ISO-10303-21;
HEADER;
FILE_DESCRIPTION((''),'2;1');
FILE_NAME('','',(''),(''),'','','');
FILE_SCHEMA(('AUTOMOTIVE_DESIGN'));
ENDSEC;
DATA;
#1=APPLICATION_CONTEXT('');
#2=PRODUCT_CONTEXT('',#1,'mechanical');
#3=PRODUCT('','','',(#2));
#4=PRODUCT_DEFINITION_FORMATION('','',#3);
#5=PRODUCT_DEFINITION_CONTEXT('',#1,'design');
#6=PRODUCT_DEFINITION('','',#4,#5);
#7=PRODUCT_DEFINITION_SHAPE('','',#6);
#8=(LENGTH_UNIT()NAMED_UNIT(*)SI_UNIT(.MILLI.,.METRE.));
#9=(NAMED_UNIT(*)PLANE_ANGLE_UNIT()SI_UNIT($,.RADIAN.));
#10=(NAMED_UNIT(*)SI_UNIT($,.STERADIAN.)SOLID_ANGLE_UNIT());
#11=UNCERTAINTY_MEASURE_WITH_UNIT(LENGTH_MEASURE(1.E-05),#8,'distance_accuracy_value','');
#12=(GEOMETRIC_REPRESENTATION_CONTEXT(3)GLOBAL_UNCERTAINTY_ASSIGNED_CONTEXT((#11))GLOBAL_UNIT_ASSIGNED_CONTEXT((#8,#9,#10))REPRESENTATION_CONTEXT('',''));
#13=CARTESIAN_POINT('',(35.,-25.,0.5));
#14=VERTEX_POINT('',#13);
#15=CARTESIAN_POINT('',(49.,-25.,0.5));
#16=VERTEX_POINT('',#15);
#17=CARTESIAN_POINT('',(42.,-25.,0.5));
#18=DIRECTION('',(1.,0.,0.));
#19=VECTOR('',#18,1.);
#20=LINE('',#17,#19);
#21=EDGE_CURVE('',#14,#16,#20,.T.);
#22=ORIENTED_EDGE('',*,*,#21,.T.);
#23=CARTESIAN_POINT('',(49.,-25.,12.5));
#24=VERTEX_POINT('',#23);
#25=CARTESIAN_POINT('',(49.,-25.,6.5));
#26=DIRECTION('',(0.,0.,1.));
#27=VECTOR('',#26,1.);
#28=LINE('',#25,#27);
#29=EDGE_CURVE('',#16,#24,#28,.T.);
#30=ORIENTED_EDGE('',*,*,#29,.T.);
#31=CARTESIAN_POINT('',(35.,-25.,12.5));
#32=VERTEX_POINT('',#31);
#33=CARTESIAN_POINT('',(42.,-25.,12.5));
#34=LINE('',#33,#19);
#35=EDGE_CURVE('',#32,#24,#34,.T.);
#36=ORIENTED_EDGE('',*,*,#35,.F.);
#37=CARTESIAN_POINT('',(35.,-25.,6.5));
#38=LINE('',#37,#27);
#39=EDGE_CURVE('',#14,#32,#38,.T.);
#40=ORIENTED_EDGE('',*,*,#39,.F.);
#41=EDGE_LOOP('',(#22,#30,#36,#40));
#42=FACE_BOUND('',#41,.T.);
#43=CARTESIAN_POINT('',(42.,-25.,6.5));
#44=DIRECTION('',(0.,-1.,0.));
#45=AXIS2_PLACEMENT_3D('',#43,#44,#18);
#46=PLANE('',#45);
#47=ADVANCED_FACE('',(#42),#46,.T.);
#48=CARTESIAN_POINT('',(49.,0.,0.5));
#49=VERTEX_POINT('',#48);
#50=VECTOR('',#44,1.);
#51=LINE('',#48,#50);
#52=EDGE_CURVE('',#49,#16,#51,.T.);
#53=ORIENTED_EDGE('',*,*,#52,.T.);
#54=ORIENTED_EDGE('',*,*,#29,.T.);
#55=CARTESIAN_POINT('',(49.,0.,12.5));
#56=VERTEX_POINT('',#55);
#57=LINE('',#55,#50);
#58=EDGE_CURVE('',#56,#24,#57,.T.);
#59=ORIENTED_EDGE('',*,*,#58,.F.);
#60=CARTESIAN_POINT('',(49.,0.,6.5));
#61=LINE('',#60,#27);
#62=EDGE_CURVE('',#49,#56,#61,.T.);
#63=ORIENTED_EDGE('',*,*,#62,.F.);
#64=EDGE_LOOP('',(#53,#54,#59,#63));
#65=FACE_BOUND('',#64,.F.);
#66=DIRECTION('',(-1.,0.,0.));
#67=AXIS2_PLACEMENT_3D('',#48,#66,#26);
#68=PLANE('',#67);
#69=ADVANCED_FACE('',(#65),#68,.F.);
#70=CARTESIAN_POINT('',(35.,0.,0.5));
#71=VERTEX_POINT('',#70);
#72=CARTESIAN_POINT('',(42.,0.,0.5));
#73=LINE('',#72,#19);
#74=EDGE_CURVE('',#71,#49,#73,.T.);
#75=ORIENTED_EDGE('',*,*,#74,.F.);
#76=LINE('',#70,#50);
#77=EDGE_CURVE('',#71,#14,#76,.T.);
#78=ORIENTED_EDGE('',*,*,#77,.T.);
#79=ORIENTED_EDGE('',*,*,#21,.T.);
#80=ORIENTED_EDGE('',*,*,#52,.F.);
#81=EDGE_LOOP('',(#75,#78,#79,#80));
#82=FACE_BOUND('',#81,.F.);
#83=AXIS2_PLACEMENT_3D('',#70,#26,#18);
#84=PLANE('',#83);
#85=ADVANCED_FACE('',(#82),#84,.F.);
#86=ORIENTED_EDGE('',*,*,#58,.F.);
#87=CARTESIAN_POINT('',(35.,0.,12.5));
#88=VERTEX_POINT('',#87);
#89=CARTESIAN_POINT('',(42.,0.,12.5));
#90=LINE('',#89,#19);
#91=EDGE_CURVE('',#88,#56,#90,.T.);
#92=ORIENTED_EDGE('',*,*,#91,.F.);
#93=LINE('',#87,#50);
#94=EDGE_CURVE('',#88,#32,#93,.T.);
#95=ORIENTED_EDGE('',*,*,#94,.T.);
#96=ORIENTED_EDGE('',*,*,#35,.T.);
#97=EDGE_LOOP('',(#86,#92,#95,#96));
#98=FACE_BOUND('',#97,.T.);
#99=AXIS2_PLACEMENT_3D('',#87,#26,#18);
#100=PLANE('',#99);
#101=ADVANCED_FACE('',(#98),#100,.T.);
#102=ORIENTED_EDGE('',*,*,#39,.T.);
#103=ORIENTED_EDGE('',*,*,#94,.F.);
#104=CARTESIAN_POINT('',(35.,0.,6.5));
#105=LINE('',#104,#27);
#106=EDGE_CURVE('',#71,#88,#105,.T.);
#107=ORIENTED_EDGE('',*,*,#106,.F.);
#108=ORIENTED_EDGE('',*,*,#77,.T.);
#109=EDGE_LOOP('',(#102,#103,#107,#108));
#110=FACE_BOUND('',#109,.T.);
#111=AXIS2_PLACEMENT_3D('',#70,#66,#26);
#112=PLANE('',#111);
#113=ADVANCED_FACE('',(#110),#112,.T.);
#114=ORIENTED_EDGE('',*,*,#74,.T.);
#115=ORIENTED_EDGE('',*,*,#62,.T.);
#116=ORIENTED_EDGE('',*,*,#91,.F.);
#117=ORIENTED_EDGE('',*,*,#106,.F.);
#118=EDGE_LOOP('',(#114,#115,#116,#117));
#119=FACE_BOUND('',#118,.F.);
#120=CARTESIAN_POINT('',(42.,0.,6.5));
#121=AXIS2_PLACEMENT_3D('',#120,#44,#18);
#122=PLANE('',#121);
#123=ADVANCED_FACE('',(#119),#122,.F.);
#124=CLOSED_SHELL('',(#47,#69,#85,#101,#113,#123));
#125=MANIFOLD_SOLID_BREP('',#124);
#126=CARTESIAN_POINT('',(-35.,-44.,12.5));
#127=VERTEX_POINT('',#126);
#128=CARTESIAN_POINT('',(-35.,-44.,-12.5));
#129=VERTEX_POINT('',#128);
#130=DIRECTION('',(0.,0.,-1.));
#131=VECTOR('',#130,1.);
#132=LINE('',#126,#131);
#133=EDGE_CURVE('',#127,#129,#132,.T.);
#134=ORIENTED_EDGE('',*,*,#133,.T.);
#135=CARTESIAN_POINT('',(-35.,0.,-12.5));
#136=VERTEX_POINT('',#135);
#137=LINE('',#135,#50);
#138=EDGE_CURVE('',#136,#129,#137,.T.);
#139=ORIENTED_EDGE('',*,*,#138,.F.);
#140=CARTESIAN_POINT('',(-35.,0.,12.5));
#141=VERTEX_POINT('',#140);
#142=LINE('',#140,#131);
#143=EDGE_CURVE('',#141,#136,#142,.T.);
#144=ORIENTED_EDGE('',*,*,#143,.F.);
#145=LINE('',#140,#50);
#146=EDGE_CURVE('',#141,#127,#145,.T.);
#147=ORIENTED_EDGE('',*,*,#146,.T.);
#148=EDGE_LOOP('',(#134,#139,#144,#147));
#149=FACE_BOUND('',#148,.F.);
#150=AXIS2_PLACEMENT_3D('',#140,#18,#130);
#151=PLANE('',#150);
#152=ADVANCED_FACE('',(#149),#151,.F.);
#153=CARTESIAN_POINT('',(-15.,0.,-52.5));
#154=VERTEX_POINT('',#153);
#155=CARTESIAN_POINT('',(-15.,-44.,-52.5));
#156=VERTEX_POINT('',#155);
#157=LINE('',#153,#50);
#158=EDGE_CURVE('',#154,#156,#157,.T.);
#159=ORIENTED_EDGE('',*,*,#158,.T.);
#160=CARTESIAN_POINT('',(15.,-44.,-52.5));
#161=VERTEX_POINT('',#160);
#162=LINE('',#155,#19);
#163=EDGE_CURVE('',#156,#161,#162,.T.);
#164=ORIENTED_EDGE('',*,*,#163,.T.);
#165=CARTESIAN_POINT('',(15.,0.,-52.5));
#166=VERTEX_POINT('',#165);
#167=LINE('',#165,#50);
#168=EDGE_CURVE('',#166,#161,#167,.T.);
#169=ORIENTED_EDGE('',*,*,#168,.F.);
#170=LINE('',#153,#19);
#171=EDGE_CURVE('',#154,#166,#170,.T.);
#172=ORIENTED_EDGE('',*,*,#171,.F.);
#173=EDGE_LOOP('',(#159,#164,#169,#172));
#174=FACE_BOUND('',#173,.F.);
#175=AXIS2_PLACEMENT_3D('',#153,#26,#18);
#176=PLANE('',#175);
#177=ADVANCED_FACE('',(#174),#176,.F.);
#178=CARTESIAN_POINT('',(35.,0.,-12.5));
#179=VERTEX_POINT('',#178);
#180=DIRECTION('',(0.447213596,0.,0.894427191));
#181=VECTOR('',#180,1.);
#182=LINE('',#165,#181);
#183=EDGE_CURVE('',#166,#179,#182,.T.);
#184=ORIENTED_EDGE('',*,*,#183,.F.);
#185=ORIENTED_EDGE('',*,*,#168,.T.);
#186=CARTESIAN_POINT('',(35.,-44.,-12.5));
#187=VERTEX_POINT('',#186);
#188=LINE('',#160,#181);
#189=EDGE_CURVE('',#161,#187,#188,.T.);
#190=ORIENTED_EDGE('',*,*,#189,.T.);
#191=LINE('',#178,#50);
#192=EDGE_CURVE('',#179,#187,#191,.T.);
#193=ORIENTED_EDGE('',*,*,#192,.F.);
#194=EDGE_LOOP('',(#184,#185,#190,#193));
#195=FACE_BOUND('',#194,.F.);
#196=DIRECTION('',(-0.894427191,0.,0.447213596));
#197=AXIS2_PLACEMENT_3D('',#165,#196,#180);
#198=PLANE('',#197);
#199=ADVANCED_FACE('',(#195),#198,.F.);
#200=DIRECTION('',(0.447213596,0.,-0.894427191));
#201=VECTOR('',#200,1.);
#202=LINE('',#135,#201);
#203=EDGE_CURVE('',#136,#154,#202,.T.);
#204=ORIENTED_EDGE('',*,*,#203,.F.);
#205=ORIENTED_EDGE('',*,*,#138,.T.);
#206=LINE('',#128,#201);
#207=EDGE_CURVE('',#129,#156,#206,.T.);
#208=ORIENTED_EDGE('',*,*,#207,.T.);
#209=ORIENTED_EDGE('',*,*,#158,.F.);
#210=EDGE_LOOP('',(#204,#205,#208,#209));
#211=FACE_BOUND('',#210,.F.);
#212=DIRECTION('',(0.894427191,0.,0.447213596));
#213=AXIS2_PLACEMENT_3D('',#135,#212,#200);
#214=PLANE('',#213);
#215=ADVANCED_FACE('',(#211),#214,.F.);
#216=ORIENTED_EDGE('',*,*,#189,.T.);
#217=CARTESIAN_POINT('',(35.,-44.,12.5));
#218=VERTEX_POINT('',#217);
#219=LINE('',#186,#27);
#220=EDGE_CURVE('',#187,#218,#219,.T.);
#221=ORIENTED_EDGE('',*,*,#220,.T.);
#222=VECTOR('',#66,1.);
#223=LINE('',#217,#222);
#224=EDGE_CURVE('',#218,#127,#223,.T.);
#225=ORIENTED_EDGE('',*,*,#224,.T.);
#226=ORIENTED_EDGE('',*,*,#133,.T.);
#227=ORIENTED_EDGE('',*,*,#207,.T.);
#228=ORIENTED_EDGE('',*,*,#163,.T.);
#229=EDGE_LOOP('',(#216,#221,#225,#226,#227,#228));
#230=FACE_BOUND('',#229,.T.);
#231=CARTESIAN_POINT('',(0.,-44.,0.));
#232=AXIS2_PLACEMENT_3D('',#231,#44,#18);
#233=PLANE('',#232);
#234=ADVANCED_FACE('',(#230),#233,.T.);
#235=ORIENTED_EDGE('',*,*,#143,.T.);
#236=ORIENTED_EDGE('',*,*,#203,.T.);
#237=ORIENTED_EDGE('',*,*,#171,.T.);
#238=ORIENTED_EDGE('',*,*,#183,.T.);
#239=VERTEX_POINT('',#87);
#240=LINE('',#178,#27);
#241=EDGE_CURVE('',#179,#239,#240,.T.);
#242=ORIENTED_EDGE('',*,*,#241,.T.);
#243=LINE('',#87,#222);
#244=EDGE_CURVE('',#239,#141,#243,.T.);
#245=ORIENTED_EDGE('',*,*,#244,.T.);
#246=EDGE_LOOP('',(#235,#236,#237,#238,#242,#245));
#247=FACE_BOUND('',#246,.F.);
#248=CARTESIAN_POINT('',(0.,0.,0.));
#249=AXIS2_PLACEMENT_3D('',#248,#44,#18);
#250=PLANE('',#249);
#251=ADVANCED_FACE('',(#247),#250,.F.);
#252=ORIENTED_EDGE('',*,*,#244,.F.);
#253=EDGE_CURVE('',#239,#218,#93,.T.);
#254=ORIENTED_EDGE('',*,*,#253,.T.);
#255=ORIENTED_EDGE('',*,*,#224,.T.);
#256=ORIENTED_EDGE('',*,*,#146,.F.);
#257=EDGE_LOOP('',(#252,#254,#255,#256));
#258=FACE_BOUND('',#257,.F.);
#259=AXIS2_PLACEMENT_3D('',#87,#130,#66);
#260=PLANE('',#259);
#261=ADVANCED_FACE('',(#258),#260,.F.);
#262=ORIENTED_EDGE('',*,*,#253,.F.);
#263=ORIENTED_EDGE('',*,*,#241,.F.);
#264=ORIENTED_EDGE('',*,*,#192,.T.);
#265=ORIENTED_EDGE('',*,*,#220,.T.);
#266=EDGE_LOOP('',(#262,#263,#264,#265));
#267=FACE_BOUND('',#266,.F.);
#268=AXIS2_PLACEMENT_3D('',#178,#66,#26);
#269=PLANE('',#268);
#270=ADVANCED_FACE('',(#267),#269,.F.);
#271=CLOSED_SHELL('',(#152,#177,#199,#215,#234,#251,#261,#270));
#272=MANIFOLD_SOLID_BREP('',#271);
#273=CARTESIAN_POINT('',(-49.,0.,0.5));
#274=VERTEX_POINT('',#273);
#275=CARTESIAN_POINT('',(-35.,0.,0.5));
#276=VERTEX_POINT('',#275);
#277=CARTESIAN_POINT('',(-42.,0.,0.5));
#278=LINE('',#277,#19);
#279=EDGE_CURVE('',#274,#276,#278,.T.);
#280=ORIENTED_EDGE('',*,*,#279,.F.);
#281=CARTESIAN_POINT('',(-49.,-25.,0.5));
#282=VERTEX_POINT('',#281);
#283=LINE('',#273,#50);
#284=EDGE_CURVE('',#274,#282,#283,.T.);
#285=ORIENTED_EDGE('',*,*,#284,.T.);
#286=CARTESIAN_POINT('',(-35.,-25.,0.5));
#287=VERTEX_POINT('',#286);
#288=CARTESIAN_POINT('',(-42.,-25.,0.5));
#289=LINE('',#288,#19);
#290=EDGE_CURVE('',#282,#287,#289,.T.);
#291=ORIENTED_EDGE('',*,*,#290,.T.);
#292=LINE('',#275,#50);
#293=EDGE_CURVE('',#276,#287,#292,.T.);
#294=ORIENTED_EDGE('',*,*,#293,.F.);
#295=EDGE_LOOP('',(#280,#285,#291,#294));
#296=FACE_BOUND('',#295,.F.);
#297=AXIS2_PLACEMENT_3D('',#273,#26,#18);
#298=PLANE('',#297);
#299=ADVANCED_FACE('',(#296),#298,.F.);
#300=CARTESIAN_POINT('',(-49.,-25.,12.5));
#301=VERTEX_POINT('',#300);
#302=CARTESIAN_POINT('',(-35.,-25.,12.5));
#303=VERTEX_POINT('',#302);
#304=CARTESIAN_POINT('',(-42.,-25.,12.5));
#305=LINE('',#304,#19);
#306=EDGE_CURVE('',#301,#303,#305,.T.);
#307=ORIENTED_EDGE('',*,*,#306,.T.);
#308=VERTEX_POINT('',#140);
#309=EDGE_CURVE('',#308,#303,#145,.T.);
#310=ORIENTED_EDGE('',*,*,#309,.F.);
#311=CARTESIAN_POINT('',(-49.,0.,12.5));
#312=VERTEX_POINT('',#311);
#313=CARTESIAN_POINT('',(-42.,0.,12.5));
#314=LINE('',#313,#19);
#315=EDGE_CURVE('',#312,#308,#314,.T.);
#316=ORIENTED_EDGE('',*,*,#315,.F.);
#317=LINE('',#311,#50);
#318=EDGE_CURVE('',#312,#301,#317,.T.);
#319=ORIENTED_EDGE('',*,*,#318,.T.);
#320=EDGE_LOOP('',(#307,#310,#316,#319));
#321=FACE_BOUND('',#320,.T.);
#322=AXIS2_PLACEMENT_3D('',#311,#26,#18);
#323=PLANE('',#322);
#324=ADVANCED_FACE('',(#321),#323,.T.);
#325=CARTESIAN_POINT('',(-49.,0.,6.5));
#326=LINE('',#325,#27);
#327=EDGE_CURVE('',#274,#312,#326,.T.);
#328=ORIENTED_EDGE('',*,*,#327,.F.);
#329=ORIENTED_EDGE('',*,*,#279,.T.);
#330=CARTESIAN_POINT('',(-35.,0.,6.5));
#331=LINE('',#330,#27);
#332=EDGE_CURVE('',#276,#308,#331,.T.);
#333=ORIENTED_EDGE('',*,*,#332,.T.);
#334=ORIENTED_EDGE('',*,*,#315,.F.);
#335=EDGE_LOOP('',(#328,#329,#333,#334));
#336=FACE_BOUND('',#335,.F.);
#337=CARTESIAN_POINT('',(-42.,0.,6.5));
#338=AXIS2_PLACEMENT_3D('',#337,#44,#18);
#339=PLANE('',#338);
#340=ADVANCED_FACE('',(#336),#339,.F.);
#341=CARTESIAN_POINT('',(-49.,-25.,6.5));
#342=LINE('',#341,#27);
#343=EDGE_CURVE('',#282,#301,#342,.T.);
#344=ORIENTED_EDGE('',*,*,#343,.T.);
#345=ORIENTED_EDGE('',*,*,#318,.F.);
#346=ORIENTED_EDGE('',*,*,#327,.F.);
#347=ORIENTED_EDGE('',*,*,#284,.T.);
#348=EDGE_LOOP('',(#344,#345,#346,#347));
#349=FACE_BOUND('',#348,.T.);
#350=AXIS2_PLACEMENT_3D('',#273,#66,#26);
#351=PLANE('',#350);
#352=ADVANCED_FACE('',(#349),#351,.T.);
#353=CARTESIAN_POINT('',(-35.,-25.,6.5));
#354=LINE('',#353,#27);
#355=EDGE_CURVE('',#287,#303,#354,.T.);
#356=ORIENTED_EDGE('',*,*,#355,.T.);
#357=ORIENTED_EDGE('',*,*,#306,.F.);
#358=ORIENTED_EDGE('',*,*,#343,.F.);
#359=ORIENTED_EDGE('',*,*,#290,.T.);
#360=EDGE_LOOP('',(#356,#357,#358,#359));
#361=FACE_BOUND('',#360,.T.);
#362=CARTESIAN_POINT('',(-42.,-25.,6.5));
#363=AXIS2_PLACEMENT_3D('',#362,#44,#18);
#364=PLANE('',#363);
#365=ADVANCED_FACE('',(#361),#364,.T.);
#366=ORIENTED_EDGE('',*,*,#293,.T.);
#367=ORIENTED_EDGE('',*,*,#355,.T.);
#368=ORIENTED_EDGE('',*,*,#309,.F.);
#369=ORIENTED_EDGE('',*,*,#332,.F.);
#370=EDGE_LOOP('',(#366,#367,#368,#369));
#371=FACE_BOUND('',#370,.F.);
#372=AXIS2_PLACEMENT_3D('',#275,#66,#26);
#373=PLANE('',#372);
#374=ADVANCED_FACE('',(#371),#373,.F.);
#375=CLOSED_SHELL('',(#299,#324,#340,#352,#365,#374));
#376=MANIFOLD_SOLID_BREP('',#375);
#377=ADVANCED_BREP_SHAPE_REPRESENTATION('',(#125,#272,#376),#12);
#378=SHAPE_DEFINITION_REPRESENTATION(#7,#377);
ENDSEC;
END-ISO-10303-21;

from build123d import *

# Parameters (mm, degrees)
F0_W     = 14
F0_H     = 12
F1_DEPTH = 25
F2_DEPTH = 44


with BuildPart() as f1:
    # F0 (on Front) → F1 (new body)
    with BuildSketch(Plane.XZ):
        with Locations((-42, 6.5)):
            Rectangle(F0_W, F0_H)
        with Locations((42, 6.5)):
            Rectangle(F0_W, F0_H)
    extrude(amount=F1_DEPTH)


with BuildPart() as f2:
    # F0 (on Front) → F2 (new body)
    with BuildSketch(Plane.XZ):
        Polygon((-35, 0.5), (-35, -12.5), (35, -12.5), (35, 0.5), (35, 12.5), (-35, 12.5), align=None)
        Polygon((35, -12.5), (-35, -12.5), (-15, -52.5), (15, -52.5), align=None)
    extrude(amount=F2_DEPTH)


solid = Compound([f1.part, f2.part])
